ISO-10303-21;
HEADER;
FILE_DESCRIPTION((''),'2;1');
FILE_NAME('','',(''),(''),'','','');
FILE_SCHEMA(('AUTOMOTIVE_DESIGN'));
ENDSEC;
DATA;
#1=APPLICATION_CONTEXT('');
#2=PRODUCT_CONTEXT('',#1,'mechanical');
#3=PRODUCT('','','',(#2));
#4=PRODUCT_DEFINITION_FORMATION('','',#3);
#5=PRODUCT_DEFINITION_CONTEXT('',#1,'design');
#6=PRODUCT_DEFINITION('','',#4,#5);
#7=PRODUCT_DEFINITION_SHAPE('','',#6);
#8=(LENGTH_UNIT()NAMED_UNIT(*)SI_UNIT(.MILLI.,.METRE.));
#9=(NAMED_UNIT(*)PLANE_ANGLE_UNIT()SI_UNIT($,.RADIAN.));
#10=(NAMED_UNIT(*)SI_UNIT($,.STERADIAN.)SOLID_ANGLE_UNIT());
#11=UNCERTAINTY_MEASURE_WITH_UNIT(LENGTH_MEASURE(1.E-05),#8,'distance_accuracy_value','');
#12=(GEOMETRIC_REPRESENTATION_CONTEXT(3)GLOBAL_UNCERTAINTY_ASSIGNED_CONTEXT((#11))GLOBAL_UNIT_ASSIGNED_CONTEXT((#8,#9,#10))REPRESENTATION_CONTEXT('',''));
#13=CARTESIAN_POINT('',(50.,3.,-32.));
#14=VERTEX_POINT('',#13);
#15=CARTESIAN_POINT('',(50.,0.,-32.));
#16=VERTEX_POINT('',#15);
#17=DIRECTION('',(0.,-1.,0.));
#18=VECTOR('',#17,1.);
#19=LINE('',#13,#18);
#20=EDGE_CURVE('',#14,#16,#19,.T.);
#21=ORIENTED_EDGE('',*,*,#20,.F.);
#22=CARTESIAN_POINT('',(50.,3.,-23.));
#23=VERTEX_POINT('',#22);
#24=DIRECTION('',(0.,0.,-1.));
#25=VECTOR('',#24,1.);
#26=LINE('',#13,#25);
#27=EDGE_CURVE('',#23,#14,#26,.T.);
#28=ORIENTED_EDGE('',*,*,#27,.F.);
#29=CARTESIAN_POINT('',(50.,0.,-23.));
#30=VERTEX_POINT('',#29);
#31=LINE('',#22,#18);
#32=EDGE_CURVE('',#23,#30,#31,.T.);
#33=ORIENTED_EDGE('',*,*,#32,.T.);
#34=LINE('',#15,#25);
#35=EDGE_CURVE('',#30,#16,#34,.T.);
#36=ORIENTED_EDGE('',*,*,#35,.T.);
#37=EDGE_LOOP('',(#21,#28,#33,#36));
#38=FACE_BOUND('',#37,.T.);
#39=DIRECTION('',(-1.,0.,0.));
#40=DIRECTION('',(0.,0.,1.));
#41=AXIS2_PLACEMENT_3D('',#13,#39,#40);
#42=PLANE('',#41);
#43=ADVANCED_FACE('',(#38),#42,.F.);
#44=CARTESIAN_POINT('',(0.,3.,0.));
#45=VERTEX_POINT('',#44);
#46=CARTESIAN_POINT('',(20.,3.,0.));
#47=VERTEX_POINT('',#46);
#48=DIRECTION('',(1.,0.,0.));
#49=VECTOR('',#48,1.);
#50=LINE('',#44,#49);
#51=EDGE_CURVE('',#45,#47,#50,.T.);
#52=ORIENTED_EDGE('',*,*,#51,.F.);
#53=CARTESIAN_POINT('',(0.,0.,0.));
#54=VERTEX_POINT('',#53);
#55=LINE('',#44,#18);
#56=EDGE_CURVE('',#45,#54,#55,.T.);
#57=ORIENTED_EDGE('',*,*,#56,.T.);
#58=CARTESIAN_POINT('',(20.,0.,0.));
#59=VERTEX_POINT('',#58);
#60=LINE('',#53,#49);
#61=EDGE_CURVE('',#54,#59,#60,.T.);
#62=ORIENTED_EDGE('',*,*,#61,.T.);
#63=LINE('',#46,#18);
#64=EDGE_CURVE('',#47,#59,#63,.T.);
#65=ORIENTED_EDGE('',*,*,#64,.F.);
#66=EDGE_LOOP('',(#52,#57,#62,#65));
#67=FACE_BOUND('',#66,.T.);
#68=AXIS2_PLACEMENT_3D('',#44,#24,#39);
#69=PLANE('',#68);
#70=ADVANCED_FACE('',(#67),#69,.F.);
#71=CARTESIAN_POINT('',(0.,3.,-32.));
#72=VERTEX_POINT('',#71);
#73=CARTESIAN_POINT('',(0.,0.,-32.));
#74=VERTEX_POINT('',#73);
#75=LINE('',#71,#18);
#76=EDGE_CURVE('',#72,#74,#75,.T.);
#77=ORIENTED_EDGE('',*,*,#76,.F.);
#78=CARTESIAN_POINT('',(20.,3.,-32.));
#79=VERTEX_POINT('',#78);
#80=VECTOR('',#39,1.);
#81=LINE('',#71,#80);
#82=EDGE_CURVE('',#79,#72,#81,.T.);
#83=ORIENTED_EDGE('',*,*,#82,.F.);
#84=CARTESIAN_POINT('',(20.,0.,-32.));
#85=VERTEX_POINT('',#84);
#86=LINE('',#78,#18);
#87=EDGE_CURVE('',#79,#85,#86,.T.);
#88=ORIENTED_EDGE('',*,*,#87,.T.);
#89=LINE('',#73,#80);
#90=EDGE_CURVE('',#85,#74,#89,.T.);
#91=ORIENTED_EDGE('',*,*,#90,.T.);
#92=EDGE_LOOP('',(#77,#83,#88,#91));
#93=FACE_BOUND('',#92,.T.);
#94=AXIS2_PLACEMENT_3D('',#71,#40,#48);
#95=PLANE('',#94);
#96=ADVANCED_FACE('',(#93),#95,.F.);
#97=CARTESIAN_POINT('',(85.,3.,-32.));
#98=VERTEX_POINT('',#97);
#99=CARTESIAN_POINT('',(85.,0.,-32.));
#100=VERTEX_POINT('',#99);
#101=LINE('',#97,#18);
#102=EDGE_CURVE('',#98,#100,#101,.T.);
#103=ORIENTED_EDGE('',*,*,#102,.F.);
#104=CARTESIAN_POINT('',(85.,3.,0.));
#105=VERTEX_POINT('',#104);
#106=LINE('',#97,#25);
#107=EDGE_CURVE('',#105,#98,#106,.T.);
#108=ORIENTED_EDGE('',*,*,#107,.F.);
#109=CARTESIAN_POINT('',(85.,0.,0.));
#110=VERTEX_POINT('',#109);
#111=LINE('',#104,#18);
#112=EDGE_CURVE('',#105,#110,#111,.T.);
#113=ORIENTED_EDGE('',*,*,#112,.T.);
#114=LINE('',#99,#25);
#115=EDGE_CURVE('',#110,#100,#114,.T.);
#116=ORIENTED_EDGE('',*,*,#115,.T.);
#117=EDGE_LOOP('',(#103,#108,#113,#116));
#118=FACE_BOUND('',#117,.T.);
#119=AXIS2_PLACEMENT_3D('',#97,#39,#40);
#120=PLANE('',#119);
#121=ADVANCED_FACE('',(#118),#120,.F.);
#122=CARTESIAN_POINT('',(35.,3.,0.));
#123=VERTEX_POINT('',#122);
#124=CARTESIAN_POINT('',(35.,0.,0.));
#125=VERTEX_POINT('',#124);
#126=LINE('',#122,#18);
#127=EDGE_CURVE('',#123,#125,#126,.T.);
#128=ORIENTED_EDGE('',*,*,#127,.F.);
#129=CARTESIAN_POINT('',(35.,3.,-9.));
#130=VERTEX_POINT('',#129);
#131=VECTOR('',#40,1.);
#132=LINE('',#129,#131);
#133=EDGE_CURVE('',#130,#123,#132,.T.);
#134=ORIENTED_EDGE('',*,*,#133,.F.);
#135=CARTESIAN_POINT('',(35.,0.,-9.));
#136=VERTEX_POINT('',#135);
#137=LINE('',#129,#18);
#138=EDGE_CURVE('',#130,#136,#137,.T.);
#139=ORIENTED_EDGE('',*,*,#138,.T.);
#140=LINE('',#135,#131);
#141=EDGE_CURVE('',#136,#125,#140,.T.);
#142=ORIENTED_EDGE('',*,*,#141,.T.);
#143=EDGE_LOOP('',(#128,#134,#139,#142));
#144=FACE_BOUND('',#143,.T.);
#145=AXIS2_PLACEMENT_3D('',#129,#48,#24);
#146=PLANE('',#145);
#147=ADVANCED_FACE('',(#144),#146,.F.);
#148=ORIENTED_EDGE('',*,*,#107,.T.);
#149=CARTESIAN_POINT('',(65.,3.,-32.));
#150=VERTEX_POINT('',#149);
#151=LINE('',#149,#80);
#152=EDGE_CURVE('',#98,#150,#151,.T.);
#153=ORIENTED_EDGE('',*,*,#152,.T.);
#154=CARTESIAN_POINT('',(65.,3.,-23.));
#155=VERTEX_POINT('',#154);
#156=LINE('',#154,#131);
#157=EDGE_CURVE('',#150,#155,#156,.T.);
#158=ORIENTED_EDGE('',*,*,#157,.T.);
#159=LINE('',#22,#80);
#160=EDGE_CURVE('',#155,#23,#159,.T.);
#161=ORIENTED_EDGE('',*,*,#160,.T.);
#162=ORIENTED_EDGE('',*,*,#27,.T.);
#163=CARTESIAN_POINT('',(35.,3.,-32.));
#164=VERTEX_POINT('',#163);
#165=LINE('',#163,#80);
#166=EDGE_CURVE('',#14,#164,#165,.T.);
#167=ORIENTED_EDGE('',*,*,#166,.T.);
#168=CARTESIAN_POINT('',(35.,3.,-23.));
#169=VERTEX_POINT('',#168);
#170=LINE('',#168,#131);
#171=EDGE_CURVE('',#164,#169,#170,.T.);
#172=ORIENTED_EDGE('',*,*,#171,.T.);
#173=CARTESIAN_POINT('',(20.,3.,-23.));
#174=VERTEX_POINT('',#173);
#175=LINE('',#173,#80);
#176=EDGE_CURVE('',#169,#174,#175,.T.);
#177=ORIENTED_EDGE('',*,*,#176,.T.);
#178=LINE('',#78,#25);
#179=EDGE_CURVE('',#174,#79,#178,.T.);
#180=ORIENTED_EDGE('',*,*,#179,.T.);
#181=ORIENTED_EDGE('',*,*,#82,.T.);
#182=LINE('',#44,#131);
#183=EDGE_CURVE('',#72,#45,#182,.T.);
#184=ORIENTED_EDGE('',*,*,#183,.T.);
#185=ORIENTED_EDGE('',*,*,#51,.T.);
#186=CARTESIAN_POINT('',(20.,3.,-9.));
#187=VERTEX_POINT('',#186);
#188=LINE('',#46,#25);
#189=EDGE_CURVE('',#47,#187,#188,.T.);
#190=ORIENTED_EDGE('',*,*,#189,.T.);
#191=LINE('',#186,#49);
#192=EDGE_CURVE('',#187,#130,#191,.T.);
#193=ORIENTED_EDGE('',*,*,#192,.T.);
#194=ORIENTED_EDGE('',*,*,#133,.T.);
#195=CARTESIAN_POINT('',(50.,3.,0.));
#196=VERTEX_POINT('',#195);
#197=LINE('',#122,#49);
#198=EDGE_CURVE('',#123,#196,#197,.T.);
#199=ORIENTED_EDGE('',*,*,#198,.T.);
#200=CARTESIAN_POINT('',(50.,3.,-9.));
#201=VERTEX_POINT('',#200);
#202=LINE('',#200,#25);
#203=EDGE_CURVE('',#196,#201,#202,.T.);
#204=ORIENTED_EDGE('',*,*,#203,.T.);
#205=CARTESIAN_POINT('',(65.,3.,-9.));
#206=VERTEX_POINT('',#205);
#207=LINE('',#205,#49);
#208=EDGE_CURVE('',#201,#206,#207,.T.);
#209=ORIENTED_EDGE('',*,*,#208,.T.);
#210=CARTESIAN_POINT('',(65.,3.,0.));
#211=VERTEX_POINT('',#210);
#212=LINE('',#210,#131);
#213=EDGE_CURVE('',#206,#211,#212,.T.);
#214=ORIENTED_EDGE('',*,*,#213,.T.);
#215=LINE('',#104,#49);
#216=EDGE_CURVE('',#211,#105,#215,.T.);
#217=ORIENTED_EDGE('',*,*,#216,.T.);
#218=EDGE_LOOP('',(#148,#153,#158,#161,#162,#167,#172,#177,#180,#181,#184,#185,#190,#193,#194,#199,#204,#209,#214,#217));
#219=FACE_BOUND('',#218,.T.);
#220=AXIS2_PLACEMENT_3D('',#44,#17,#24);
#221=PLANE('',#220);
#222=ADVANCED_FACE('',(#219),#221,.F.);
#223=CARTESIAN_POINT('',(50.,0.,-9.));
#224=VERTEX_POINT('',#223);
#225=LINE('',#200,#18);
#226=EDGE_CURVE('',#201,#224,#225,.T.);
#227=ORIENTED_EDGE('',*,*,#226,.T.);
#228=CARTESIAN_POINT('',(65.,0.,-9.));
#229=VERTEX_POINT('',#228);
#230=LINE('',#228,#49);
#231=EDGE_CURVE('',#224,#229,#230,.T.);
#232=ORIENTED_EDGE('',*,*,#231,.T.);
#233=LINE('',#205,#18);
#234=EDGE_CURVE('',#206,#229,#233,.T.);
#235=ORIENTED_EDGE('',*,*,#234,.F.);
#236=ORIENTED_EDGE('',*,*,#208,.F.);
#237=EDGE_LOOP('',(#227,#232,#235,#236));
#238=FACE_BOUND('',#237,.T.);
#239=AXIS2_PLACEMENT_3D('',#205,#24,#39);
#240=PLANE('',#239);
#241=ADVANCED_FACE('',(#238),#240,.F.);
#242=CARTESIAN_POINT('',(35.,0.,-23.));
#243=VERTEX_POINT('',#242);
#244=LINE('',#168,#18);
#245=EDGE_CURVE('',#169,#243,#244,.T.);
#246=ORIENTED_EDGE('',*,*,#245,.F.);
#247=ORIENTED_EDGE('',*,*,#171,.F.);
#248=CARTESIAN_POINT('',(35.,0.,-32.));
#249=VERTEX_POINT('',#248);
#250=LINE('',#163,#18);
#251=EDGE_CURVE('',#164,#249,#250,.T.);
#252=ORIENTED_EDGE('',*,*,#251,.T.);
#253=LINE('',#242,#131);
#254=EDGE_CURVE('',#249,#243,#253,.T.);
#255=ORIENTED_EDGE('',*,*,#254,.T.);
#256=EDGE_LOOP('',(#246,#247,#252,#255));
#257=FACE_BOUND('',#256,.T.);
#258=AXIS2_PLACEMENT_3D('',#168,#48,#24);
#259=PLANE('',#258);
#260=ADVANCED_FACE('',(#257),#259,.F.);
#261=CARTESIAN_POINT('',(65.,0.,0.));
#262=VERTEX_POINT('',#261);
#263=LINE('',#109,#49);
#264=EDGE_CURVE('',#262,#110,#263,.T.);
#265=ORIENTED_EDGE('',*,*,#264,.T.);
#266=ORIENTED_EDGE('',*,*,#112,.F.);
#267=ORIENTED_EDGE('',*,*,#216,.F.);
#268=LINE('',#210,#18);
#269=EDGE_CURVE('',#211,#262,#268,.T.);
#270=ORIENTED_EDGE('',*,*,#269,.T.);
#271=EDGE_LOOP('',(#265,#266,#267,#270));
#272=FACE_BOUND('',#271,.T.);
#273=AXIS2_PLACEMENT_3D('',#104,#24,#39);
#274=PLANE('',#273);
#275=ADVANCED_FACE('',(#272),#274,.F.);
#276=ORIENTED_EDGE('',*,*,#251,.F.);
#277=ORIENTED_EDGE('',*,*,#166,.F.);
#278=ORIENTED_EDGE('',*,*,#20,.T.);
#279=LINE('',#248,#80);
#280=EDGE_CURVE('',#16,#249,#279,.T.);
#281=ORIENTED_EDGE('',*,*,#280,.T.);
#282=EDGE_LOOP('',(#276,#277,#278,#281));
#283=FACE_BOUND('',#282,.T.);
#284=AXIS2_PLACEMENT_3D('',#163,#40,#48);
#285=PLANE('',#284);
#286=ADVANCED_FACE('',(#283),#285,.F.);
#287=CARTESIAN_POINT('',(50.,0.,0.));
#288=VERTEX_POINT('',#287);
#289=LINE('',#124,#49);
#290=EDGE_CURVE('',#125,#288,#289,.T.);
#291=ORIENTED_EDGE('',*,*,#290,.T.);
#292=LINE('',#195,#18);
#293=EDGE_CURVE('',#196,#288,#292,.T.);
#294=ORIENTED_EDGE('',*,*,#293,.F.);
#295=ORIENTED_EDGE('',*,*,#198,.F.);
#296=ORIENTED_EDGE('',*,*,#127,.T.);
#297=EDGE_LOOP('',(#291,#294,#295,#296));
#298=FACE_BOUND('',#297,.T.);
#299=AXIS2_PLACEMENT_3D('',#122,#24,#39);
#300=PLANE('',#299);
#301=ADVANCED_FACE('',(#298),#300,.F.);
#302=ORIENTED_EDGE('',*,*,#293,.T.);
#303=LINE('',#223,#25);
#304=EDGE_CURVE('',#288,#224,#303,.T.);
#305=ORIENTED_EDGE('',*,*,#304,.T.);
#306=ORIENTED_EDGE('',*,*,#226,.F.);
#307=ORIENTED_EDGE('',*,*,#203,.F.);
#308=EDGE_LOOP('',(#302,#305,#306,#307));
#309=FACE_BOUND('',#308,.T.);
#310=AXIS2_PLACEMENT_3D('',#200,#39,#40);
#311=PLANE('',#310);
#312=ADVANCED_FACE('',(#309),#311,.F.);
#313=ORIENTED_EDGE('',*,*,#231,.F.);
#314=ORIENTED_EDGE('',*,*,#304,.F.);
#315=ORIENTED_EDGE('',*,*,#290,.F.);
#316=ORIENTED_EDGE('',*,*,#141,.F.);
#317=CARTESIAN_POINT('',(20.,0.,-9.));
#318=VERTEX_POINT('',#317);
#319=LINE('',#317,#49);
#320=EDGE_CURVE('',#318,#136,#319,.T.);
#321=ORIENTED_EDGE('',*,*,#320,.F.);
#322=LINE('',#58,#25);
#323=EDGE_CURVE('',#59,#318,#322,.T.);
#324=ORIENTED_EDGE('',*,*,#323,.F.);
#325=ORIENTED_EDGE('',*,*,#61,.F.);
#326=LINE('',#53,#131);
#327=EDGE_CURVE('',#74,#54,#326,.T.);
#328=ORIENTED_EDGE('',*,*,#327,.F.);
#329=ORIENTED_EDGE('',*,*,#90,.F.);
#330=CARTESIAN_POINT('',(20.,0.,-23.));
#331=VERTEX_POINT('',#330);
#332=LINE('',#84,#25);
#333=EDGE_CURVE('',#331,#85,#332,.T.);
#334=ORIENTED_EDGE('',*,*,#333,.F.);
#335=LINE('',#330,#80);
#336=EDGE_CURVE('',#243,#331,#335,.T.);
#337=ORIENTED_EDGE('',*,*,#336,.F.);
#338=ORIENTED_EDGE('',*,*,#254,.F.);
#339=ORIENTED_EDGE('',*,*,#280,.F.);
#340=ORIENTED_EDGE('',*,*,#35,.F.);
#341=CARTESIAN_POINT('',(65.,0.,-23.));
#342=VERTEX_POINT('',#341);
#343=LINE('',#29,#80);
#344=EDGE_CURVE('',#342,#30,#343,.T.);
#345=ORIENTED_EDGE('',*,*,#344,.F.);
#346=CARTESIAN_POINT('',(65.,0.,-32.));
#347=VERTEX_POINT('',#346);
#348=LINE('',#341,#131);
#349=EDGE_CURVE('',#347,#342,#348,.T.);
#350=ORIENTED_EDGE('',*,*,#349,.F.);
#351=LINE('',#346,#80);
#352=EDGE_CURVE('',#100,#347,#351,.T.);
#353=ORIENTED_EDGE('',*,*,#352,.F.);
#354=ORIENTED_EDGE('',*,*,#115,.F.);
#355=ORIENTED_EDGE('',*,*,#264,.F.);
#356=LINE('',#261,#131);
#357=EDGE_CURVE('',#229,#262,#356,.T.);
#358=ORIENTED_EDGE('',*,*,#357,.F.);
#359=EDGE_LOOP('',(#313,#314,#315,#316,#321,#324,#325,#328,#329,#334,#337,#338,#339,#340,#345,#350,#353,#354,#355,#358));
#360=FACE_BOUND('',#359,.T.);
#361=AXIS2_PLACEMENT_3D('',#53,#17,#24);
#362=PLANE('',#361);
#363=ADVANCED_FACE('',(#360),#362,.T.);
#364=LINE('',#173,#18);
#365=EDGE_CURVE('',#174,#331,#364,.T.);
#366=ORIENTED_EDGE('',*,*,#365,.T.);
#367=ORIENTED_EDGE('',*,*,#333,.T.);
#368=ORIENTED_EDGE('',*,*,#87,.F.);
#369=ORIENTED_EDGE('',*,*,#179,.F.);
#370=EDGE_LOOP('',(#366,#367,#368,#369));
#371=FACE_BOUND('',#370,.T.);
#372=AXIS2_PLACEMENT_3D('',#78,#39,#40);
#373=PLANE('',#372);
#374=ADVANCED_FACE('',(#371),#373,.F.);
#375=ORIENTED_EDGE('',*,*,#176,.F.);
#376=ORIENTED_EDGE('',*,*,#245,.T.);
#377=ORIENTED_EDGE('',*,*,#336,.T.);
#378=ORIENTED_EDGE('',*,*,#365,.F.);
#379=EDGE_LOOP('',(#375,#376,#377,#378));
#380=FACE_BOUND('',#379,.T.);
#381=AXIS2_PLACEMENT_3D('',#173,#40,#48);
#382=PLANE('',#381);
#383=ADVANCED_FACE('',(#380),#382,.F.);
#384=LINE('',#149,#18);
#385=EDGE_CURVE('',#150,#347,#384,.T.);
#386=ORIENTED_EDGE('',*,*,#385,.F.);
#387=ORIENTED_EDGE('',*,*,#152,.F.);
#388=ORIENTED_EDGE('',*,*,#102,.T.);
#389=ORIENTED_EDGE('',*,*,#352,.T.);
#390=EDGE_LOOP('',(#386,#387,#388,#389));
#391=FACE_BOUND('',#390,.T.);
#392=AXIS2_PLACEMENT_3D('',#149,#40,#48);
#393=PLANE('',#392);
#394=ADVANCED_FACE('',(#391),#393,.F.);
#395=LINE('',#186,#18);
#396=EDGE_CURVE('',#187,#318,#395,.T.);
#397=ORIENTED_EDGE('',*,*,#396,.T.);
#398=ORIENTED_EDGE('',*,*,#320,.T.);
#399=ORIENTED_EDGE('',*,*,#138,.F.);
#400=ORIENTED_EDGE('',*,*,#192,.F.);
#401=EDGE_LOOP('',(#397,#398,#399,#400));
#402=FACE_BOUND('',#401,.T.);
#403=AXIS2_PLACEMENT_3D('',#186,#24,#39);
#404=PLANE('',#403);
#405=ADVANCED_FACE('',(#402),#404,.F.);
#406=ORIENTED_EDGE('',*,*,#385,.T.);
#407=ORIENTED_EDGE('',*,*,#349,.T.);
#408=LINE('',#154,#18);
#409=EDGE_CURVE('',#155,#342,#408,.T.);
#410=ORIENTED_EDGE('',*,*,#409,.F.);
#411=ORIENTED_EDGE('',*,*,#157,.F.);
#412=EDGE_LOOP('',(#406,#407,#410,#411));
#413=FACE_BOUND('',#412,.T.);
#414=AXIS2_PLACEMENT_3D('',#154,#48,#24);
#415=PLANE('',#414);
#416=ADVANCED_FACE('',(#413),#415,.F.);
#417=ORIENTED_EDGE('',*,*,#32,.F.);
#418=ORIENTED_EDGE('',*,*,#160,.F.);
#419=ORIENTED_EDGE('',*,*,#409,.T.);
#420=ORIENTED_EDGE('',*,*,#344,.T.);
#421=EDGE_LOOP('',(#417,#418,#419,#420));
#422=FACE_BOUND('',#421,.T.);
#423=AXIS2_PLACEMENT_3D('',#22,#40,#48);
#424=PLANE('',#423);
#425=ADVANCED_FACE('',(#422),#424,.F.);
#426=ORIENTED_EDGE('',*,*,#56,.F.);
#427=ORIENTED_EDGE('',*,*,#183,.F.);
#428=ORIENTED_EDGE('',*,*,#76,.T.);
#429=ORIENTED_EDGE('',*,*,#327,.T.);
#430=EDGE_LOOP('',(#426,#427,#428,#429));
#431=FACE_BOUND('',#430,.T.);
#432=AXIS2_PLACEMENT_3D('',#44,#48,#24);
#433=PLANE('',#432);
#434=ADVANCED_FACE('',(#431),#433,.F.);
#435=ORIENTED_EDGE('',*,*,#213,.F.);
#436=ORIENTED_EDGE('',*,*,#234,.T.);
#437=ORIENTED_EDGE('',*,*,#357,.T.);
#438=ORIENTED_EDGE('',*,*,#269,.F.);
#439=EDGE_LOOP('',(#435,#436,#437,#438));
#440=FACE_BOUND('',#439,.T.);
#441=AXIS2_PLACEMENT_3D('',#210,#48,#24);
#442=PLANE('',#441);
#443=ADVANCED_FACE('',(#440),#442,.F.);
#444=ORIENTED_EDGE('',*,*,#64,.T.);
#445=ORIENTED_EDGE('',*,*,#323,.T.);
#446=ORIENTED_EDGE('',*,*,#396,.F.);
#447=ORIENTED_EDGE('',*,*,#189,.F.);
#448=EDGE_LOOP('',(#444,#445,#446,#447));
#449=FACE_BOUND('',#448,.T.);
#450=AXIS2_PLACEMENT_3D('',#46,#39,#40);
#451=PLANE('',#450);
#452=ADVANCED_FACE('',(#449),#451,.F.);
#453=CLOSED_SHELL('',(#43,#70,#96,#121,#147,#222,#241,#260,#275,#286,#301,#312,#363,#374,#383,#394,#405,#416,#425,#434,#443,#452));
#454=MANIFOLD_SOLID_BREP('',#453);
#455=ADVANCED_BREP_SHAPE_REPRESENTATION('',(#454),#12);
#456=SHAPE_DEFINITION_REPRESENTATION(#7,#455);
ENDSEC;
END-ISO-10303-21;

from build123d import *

# Parameters (mm, degrees)
SALIENTE_EXTRUIR1_DEPTH = 3


with BuildPart() as part:
    # Croquis1 → Saliente-Extruir1 (new body)
    with BuildSketch(Plane(origin=(0, 0, 0), x_dir=(1, 0, 0), z_dir=(0, 1, 0))):
        Polygon((0, 0), (20, 0), (20, 9), (35, 9), (35, 0), (50, 0), (50, 9), (65, 9), (65, 0), (85, 0), (85, 32), (65, 32), (65, 23), (50, 23), (50, 32), (35, 32), (35, 23), (20, 23), (20, 32), (0, 32), align=None)
    extrude(amount=SALIENTE_EXTRUIR1_DEPTH)


solid = part.part
